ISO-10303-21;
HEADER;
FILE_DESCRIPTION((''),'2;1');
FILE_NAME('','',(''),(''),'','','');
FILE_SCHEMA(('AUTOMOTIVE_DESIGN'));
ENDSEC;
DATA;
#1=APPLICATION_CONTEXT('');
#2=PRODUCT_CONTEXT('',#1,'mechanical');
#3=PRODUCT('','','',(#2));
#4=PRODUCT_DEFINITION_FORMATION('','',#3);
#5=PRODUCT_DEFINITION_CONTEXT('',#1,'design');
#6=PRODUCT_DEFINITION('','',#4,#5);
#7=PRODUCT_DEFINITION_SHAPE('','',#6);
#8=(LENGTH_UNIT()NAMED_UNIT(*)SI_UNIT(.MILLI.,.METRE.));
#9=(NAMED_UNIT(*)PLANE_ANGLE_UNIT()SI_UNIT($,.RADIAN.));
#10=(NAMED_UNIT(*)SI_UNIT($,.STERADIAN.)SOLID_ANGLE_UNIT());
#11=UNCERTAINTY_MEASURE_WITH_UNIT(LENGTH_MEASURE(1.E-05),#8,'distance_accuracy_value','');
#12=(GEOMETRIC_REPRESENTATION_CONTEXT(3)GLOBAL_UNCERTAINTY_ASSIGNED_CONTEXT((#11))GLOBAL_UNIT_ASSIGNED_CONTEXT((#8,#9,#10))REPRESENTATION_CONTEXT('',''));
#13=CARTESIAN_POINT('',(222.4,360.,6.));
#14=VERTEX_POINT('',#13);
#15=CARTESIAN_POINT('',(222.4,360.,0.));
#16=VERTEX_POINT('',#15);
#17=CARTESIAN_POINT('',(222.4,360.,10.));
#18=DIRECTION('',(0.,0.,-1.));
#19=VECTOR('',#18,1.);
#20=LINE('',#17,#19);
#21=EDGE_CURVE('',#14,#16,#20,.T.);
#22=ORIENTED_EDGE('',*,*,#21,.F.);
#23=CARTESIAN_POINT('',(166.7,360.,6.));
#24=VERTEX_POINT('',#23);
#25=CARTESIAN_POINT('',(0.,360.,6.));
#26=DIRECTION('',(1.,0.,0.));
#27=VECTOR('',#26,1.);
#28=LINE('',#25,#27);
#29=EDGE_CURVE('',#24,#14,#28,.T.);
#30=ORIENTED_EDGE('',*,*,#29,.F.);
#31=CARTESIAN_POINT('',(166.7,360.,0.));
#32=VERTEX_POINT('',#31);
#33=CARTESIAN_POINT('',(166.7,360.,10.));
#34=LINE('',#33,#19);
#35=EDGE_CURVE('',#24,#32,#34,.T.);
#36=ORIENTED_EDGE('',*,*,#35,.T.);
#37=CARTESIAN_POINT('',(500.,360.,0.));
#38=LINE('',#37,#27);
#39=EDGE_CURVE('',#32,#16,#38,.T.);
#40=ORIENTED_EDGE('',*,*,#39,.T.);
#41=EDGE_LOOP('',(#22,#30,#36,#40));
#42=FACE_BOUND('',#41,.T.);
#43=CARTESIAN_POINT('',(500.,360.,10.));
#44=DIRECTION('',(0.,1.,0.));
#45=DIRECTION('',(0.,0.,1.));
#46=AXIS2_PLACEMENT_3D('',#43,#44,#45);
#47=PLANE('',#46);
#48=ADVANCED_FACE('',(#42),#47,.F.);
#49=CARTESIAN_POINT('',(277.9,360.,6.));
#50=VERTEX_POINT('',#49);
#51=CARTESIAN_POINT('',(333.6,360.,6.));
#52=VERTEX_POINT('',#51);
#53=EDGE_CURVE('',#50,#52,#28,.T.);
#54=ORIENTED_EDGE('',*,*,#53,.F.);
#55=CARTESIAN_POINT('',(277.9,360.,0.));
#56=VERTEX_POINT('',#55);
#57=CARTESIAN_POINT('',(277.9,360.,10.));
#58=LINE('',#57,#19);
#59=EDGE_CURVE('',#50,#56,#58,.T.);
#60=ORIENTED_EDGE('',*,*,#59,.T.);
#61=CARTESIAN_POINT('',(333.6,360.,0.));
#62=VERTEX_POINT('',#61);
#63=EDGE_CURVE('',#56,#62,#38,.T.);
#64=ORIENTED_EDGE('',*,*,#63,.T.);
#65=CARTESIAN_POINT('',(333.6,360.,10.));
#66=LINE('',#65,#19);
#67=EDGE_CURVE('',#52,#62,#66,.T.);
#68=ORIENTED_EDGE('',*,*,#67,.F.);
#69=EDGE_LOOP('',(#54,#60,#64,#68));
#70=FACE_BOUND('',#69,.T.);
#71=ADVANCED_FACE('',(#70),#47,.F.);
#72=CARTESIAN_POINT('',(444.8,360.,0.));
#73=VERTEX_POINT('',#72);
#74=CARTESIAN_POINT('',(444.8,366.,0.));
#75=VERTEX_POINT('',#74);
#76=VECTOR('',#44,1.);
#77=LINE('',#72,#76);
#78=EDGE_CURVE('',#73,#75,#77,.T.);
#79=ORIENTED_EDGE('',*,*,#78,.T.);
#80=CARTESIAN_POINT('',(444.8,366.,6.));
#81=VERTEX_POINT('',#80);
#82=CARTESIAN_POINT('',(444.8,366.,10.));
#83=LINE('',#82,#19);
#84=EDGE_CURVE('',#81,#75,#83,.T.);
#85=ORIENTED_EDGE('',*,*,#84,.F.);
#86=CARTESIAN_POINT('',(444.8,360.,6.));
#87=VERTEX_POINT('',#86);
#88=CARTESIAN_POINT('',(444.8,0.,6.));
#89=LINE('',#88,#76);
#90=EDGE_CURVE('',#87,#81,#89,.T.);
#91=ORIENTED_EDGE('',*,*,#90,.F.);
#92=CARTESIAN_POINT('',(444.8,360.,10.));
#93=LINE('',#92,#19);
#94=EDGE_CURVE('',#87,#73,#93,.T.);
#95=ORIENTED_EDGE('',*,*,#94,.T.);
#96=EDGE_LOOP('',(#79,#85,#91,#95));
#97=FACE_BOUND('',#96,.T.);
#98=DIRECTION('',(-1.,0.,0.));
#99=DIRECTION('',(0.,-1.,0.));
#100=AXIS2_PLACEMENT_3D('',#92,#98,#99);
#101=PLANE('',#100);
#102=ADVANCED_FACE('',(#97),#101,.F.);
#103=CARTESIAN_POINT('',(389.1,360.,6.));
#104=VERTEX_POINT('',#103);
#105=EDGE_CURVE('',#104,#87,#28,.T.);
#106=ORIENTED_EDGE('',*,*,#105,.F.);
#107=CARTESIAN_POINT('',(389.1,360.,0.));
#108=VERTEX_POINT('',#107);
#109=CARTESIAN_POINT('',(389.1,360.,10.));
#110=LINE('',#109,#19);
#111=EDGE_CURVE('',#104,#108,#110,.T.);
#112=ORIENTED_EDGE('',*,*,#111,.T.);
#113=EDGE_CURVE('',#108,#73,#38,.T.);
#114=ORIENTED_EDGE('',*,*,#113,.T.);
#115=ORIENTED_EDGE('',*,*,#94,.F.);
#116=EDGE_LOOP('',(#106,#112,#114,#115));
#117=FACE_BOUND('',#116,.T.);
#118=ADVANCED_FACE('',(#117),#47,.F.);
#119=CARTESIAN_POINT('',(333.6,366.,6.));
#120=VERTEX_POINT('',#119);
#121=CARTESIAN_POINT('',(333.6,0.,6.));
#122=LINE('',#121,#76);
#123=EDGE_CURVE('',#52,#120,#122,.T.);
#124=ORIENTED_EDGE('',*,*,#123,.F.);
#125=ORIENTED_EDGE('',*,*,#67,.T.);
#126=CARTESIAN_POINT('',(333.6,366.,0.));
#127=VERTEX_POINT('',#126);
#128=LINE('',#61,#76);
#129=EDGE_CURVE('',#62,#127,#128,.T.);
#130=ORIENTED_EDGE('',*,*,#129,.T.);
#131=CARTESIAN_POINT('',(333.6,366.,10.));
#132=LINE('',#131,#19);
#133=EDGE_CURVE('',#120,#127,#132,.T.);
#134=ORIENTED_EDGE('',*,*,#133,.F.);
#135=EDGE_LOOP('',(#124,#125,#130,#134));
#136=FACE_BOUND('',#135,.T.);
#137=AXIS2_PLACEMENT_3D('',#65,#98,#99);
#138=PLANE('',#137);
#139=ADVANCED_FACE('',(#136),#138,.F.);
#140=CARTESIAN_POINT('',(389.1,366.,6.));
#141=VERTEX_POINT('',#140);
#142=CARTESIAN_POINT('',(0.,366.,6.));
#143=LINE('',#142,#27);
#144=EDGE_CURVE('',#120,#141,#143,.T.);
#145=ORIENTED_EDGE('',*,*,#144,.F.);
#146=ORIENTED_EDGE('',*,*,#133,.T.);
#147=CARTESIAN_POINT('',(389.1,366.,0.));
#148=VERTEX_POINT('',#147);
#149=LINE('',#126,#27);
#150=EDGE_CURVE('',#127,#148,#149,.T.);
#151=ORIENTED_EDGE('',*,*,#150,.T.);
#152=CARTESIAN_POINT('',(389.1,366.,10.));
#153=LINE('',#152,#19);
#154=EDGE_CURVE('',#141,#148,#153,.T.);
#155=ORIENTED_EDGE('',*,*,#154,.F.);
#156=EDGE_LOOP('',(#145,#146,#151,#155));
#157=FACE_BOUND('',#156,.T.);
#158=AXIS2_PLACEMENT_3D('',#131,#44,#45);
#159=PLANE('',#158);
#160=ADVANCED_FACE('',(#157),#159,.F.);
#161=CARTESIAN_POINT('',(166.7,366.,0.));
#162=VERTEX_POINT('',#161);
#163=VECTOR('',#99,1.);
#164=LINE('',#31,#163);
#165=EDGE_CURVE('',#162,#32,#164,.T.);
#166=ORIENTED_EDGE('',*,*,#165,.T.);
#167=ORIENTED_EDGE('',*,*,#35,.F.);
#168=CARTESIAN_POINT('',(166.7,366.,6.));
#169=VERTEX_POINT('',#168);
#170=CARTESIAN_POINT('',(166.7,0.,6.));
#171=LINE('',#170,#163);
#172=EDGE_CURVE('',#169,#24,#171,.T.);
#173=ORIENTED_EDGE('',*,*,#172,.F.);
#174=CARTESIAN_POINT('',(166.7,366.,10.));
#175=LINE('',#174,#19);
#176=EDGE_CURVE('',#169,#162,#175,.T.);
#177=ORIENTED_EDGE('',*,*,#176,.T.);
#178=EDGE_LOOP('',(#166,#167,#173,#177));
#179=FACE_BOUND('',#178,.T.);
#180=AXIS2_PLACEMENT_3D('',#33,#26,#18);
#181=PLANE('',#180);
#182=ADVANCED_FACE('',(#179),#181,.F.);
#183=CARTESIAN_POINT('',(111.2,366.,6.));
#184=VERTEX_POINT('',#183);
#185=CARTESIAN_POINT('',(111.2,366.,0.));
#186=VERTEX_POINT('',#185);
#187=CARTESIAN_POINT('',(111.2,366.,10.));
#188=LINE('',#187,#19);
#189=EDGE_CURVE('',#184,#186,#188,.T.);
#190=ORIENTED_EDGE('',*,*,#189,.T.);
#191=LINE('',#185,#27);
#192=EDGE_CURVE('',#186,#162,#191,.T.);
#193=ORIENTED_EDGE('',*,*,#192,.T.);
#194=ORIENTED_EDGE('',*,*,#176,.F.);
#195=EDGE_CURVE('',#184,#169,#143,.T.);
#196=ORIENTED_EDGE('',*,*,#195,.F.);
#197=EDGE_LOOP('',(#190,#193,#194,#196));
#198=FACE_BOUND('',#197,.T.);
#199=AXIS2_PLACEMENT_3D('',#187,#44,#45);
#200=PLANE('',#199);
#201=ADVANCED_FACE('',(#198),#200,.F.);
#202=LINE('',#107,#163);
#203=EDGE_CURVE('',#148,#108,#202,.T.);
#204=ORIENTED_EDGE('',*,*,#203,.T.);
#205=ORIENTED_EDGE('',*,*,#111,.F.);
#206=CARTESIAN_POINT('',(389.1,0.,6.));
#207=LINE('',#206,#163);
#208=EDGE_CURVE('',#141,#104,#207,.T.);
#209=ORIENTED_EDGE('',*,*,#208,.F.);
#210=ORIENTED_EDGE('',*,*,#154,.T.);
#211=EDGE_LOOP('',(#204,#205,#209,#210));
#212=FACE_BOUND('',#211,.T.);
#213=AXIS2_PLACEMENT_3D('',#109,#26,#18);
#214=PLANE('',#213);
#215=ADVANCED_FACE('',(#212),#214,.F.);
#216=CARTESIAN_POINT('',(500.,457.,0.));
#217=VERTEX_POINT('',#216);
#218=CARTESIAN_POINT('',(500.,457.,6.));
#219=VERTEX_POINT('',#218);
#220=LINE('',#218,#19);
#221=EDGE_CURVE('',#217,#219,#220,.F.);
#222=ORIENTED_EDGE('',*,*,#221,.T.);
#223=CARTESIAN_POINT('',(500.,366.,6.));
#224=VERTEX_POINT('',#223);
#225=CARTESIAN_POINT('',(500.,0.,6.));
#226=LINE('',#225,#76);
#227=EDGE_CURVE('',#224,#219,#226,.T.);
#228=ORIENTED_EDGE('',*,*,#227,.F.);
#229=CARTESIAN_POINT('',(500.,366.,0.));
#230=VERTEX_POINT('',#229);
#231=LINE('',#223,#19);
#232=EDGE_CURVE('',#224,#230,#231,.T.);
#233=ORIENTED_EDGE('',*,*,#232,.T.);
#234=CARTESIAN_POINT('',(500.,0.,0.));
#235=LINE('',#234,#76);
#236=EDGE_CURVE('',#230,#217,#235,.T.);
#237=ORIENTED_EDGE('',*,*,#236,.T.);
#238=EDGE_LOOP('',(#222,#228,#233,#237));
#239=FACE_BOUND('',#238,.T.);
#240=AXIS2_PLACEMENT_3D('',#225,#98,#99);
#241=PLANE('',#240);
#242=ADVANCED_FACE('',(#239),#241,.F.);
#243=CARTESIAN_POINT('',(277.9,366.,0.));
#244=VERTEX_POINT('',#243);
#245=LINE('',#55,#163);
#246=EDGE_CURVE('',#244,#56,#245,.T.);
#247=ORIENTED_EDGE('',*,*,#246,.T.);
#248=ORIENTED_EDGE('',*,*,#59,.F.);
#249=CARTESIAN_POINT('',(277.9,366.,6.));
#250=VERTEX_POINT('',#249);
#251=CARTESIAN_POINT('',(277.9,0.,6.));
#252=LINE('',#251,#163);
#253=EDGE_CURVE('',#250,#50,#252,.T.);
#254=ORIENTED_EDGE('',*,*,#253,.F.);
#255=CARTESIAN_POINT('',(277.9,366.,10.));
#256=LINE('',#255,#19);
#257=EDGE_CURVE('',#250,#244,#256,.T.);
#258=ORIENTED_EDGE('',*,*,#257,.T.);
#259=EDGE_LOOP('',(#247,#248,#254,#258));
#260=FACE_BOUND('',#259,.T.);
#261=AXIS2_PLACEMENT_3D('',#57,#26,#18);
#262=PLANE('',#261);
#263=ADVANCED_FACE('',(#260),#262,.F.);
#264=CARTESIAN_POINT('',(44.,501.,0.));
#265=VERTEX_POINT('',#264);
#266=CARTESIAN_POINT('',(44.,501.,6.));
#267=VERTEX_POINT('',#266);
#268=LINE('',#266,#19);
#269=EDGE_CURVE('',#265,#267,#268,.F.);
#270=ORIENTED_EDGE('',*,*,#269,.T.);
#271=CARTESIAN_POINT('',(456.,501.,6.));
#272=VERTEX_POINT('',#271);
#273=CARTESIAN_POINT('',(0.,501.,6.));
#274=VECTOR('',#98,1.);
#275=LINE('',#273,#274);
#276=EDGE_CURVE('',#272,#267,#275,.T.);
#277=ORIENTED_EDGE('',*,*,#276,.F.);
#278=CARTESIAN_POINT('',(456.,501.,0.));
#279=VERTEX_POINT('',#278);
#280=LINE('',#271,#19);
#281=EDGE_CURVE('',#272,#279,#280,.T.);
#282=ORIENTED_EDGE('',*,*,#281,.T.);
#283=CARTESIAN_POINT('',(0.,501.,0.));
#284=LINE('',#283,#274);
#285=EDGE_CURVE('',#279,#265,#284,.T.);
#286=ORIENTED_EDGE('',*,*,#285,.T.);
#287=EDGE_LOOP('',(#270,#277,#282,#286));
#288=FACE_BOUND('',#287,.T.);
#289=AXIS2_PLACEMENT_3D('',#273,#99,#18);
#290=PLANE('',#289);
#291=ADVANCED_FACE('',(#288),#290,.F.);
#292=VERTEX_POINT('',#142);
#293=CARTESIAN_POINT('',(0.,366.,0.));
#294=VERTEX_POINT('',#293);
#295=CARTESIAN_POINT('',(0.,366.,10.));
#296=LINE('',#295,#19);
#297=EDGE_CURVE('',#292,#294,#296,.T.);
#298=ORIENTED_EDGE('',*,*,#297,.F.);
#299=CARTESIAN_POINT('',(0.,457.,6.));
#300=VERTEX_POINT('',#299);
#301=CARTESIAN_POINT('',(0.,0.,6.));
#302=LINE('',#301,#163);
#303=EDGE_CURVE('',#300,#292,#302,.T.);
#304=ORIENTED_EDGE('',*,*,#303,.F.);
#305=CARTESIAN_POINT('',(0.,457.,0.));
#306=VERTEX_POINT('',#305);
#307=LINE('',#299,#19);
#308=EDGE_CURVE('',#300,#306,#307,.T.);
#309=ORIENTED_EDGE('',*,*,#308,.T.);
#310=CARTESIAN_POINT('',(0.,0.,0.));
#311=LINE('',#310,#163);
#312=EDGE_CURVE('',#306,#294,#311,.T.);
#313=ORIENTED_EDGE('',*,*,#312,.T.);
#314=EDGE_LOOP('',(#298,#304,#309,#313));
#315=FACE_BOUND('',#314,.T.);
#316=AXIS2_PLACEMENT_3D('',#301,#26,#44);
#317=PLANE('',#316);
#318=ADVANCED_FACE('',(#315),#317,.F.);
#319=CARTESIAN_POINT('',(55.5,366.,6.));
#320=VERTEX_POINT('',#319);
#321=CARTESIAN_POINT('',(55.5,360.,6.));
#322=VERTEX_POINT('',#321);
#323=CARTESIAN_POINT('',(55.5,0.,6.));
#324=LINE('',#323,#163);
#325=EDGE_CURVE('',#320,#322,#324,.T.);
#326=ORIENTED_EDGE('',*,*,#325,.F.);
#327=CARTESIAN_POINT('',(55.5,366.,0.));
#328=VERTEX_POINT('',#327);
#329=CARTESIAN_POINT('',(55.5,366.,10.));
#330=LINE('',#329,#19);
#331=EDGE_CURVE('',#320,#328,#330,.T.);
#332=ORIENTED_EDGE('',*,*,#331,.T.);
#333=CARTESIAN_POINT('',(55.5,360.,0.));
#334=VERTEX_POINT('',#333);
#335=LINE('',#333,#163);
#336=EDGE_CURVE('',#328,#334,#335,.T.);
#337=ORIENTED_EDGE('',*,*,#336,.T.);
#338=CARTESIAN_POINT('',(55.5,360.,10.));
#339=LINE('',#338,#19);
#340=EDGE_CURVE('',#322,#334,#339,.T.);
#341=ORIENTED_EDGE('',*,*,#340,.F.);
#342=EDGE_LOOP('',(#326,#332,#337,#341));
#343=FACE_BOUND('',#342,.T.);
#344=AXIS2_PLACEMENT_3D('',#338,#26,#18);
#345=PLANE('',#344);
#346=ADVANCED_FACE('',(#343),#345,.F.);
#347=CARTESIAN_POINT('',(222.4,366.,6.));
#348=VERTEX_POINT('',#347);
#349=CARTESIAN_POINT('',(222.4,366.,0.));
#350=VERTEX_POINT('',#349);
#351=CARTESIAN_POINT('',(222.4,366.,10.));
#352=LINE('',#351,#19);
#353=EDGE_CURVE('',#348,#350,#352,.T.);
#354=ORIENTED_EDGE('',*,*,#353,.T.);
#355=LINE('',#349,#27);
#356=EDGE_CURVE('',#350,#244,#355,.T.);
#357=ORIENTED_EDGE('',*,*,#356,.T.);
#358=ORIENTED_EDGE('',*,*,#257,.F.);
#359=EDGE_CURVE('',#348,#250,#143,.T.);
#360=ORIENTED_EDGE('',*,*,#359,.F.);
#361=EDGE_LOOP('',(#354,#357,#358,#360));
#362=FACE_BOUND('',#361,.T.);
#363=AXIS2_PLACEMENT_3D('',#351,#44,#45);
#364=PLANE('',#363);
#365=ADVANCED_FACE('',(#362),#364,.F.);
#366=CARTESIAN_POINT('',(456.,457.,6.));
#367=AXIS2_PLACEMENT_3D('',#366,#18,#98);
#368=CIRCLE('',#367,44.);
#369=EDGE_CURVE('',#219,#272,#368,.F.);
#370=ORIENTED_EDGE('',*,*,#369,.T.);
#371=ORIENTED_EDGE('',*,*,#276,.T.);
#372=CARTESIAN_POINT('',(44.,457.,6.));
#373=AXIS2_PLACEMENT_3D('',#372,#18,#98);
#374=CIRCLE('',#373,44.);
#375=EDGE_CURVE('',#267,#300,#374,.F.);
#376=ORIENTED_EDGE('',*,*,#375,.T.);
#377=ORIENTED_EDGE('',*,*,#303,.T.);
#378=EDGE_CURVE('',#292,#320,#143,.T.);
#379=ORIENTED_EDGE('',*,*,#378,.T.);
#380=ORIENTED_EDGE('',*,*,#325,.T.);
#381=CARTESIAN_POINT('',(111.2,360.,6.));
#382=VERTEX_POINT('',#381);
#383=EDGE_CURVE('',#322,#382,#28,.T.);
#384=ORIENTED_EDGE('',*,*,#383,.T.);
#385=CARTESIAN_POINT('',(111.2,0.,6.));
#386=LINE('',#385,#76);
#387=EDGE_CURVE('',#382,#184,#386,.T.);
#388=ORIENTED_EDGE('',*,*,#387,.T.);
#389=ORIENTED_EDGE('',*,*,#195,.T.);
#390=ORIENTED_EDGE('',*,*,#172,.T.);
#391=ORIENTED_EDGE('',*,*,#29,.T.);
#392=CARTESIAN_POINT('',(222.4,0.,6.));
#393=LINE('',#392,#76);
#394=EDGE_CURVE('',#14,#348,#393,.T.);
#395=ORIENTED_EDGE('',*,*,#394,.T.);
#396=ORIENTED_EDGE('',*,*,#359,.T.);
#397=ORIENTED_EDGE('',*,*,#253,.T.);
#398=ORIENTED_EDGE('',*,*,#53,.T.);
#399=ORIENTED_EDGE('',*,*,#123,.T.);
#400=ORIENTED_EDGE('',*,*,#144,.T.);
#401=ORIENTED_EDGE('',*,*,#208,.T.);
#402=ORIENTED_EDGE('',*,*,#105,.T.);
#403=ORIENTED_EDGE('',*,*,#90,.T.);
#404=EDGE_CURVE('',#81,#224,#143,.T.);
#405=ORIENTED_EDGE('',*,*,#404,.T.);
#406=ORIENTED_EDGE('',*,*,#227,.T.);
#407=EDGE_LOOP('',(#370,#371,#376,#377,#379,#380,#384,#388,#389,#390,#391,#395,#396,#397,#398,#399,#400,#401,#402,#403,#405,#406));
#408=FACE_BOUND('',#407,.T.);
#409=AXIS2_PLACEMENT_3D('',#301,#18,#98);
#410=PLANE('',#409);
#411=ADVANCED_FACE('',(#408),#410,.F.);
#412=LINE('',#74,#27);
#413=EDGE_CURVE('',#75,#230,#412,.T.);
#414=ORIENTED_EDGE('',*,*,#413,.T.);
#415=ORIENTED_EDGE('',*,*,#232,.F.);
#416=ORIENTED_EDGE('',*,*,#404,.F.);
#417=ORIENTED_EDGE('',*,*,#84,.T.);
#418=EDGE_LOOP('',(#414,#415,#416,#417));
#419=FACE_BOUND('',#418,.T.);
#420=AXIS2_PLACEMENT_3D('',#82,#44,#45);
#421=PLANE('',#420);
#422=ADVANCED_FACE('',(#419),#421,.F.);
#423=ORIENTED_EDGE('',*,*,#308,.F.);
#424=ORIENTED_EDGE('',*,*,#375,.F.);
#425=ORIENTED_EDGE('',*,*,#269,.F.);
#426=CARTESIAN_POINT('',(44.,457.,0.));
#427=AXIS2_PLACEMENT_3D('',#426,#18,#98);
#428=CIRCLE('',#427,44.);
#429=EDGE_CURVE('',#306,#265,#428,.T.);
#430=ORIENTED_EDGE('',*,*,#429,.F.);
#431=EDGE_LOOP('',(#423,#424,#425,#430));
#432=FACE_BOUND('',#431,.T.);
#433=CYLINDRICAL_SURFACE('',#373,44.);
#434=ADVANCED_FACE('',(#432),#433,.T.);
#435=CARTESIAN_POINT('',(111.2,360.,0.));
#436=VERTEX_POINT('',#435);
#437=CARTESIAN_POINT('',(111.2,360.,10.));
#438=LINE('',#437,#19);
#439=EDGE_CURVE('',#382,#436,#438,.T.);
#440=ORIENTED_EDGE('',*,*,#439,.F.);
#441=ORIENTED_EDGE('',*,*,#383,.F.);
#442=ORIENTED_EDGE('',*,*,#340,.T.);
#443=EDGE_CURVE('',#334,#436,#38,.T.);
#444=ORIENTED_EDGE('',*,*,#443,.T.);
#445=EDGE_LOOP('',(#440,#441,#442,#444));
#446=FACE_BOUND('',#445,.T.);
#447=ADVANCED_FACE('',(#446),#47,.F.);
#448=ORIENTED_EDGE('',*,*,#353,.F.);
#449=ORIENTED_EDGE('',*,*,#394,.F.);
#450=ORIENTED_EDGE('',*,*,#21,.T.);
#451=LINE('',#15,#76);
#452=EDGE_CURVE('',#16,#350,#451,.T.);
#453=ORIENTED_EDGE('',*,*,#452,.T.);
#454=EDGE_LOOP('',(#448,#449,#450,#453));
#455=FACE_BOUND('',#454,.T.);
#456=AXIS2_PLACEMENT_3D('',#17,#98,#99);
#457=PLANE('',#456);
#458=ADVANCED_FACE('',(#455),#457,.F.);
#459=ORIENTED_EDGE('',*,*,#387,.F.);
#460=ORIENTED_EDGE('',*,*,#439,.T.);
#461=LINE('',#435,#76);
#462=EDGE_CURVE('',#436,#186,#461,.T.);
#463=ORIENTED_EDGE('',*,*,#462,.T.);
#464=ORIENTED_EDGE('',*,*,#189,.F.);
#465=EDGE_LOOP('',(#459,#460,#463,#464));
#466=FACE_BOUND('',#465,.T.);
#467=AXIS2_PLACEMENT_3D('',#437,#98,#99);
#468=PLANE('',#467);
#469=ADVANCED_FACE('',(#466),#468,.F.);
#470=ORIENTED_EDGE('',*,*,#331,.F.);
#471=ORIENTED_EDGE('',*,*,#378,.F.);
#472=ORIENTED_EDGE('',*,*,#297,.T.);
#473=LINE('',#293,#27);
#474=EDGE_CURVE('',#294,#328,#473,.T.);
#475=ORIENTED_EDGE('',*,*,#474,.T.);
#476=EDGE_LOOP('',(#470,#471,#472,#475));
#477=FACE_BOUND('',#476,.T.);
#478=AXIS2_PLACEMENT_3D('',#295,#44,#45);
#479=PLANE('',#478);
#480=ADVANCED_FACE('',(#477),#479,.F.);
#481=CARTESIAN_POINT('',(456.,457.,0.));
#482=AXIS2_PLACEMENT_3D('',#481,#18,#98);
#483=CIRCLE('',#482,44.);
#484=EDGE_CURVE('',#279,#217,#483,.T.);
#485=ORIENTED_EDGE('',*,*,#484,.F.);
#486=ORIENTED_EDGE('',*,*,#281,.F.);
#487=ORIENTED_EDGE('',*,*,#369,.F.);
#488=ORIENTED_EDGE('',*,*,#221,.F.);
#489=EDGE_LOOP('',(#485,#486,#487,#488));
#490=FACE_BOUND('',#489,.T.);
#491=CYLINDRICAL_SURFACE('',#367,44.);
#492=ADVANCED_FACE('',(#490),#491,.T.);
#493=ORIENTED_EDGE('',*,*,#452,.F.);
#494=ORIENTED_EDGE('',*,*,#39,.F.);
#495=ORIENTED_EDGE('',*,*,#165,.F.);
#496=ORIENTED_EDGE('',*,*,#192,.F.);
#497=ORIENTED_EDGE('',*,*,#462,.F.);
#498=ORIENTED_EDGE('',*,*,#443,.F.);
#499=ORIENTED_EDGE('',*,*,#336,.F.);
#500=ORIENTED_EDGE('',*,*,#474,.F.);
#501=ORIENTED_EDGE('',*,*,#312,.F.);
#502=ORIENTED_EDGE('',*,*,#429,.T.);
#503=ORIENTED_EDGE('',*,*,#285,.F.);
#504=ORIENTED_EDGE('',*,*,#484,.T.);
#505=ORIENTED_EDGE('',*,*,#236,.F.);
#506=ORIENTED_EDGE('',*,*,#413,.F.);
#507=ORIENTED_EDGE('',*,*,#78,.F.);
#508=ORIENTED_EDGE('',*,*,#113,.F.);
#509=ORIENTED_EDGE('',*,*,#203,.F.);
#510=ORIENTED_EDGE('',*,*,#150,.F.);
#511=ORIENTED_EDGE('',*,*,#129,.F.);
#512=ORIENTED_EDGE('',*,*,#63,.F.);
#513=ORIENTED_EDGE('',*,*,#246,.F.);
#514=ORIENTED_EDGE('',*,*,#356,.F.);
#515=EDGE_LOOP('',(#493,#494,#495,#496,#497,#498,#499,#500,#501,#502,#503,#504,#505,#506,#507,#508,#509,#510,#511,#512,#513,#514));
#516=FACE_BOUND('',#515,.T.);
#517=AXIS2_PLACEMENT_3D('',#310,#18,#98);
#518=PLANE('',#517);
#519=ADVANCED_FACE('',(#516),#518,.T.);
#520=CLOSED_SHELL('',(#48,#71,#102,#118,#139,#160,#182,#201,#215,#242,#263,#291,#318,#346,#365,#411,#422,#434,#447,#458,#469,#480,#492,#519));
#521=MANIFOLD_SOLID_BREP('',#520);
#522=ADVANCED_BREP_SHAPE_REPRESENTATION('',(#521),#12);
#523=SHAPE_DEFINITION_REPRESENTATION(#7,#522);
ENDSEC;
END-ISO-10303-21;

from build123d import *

# Parameters (mm, degrees)
SKETCH1_W           = 500
SKETCH1_H           = 501
BOSS_EXTRUDE1_DEPTH = 6
FILLET1_R           = 44
SKETCH2_W           = 55.5
SKETCH2_H           = 6
CUT_EXTRUDE1_DEPTH  = 10
LPATTERN1_COUNT     = 5
LPATTERN1_PITCH     = 111.2
SKETCH3_W           = 500
SKETCH3_H           = 360
CUT_EXTRUDE2_DEPTH  = 10


with BuildPart() as part:
    # Sketch1 → Boss-Extrude1 (new body)
    with BuildSketch(Plane.XY):
        with Locations((250, 250.5)):
            Rectangle(SKETCH1_W, SKETCH1_H)
    extrude(amount=BOSS_EXTRUDE1_DEPTH)

    # Fillet1
    fillet1_edges = [part.edges().sort_by_distance(p)[0] for p in [
        (0, 501, 3),
        (500, 501, 3),
        (500, 0, 3),
        (0, 0, 3),
    ]]
    fillet(fillet1_edges, radius=FILLET1_R)

    # Sketch2 → Cut-Extrude1 (cut)
    with BuildSketch(Plane(origin=(0, 0, 0), x_dir=(-1, 0, 0), z_dir=(0, 0, -1))):
        with Locations((-27.75, 363)):
            Rectangle(SKETCH2_W, SKETCH2_H)
    cut_extrude1 = extrude(amount=-CUT_EXTRUDE1_DEPTH, mode=Mode.SUBTRACT)

    # LPattern1: Cut-Extrude1 ×5
    with Locations(*[(i * LPATTERN1_PITCH, 0, 0) for i in range(1, LPATTERN1_COUNT)]):
        add(cut_extrude1, mode=Mode.SUBTRACT)

    # Sketch3 → Cut-Extrude2 (cut)
    with BuildSketch(Plane(origin=(0, 0, 0), x_dir=(-1, 0, 0), z_dir=(0, 0, -1))):
        with Locations((-250, 180)):
            Rectangle(SKETCH3_W, SKETCH3_H)
    extrude(amount=-CUT_EXTRUDE2_DEPTH, mode=Mode.SUBTRACT)


solid = part.part
